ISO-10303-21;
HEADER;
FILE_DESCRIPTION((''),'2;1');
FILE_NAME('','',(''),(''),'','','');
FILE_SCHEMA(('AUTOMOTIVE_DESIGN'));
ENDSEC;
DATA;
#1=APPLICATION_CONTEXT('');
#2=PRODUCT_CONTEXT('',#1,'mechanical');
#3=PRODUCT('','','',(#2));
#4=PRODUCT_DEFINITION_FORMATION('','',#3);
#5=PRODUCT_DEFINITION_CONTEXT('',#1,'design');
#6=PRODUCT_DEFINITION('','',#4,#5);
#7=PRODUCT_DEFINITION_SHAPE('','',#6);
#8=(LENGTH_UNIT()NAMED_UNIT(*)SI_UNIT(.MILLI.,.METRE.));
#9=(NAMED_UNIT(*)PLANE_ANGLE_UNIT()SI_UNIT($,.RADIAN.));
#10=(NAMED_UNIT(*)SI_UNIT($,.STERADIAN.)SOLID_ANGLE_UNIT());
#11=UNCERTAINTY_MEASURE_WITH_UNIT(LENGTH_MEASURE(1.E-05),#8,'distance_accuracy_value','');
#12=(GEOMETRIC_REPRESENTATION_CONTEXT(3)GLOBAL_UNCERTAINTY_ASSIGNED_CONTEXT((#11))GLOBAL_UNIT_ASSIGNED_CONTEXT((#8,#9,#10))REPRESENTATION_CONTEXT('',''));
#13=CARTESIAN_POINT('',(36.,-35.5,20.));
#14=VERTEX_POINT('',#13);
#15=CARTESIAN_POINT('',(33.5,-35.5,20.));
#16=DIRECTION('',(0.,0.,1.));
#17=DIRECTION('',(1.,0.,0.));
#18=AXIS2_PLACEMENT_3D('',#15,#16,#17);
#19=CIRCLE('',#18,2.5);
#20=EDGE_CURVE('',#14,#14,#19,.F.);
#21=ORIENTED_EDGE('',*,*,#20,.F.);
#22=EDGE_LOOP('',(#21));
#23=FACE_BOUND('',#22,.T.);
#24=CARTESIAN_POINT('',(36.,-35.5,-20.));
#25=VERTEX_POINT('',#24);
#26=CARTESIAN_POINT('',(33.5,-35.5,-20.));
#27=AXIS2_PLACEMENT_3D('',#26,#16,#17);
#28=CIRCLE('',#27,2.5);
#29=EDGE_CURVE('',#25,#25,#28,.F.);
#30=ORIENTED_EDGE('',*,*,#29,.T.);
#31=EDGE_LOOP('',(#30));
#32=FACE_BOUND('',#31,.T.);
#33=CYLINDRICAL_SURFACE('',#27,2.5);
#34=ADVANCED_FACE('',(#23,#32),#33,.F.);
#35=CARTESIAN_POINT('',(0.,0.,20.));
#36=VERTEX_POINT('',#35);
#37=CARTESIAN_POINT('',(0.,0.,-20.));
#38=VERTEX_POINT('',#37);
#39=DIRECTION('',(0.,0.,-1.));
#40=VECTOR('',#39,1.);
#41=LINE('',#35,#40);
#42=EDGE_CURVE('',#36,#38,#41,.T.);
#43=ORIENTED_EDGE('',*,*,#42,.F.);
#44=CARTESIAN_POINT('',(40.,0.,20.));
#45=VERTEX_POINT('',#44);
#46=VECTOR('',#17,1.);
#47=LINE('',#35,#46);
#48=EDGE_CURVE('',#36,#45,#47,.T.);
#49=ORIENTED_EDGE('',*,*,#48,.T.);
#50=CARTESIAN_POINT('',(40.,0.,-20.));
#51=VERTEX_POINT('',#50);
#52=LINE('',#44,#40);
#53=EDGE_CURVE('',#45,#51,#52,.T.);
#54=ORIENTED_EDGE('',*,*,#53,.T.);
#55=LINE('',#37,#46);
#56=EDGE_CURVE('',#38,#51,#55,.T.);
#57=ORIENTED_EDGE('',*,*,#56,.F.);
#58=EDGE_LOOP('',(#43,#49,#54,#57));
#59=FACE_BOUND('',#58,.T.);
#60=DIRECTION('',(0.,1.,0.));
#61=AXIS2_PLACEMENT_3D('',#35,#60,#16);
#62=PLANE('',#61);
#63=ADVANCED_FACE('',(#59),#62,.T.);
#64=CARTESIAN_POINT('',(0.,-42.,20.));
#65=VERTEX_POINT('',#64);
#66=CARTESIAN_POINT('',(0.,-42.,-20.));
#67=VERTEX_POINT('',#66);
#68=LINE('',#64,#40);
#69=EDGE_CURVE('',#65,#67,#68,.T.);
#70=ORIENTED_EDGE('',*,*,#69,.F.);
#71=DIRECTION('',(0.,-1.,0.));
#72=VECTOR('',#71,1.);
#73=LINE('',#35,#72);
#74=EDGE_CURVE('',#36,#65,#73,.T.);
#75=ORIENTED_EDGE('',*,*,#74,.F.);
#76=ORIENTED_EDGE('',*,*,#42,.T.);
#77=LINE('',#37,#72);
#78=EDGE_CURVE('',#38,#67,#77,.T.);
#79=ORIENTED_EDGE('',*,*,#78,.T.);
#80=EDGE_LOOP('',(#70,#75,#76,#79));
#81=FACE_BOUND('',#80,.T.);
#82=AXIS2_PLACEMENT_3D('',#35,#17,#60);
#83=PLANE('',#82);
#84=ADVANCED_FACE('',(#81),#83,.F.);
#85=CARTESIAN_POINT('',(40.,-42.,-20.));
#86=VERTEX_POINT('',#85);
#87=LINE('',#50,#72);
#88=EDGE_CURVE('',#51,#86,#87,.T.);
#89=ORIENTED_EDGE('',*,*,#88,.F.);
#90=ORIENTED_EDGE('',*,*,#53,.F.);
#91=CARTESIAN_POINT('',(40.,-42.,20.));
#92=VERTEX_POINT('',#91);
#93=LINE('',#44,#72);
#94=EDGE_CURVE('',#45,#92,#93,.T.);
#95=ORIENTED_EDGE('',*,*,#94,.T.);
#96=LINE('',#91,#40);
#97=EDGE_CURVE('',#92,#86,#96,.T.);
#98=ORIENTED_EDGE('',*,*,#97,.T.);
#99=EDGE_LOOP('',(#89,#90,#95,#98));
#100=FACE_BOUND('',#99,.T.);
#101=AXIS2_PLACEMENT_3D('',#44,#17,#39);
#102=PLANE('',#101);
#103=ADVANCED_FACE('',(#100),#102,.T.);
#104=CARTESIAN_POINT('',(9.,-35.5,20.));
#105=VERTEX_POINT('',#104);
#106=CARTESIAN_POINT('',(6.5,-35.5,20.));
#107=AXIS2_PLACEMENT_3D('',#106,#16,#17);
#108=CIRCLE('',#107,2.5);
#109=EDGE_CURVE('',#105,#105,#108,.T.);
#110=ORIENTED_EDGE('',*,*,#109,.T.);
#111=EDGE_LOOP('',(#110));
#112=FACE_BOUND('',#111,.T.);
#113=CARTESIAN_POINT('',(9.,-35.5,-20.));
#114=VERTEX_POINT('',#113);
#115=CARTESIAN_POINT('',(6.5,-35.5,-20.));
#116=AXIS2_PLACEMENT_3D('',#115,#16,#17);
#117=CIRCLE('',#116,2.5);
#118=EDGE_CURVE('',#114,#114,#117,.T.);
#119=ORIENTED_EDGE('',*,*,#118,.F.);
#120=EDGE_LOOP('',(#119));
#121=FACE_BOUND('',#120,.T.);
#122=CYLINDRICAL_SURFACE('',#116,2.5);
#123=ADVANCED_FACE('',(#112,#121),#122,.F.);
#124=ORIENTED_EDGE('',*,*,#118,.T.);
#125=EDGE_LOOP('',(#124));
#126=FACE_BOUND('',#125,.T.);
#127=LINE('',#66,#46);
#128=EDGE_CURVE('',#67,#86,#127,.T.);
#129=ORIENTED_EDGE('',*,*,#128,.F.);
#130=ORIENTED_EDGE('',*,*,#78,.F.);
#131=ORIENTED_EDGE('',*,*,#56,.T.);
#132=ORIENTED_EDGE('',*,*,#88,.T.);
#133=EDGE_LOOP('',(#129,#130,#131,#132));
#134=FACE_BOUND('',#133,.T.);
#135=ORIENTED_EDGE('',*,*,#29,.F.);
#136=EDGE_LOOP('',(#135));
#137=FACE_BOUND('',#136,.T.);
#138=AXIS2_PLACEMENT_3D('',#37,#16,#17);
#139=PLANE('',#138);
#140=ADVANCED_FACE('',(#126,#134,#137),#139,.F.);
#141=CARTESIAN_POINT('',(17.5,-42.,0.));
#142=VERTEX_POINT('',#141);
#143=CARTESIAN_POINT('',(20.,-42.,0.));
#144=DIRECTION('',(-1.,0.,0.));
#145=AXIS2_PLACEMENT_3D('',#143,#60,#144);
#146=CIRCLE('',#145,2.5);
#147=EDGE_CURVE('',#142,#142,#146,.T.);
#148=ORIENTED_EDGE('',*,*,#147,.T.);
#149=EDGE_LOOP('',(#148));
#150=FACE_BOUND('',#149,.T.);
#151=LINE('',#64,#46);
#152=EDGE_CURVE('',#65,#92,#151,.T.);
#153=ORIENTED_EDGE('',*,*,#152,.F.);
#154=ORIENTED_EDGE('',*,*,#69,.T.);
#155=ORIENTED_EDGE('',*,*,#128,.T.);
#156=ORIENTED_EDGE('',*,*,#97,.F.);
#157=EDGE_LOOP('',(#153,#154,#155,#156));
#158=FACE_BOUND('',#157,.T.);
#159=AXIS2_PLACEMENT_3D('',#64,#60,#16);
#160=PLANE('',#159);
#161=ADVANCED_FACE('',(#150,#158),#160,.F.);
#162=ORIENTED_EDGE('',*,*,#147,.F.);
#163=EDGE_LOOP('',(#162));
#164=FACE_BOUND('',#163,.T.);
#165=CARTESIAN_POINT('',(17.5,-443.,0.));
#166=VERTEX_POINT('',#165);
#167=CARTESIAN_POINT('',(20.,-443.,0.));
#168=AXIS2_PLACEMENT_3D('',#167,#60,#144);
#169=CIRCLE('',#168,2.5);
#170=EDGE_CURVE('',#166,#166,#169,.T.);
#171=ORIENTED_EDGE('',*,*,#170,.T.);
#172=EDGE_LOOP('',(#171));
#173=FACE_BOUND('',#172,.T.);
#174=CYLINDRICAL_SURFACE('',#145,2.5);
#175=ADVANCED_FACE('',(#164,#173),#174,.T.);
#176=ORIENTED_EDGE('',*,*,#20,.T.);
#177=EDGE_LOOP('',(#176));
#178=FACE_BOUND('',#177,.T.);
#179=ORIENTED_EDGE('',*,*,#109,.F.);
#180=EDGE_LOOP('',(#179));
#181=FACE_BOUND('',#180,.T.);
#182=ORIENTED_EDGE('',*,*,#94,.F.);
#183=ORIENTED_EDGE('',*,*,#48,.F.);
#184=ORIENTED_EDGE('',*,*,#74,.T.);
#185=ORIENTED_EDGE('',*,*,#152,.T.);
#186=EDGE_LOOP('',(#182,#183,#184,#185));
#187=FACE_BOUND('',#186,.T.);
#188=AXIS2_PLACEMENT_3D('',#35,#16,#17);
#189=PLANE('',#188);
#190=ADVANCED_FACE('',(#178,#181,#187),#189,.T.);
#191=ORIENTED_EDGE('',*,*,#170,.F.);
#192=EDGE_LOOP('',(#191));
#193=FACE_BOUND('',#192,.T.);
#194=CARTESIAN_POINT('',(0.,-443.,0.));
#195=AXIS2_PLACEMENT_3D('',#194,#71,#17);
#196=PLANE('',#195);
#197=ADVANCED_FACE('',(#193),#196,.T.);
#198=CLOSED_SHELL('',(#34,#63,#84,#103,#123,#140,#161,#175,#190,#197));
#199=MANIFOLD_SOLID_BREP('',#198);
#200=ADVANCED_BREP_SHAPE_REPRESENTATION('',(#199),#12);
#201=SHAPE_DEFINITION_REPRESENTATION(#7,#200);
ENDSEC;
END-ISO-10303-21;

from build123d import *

# Parameters (mm, degrees)
EXTRUDE_1_DEPTH     = 20
SKETCH_1_3_W        = 2.5
SKETCH_1_3_H        = 401
SKETCH_2_R          = 2.5
CUT_EXTRUDE_1_DEPTH = 447.597133891


with BuildPart() as part:
    # 草图1 → 凸台-拉伸1 (new, symmetric)
    with BuildSketch(Plane.XY):
        Polygon((40, 0), (0, 0), (0, -42), (17.5, -42), (20, -42), (22.5, -42), (40, -42), align=None)
    extrude(amount=EXTRUDE_1_DEPTH, both=True)

    # 草图1<3> → 旋转1 (revolve)
    with BuildSketch(Plane.XY):
        with Locations((21.25, -242.5)):
            Rectangle(SKETCH_1_3_W, SKETCH_1_3_H)
    revolve(axis=Axis((20, -42, 0), (0, -1, 0)))

    # 草图2 → 切除-拉伸1 (cut, through all)
    with BuildSketch(Plane.XY.offset(20)):
        with Locations((6.5, -35.5)):
            Circle(SKETCH_2_R)
        with Locations((33.5, -35.5)):
            Circle(SKETCH_2_R)
    extrude(amount=-CUT_EXTRUDE_1_DEPTH, mode=Mode.SUBTRACT)


solid = part.part
